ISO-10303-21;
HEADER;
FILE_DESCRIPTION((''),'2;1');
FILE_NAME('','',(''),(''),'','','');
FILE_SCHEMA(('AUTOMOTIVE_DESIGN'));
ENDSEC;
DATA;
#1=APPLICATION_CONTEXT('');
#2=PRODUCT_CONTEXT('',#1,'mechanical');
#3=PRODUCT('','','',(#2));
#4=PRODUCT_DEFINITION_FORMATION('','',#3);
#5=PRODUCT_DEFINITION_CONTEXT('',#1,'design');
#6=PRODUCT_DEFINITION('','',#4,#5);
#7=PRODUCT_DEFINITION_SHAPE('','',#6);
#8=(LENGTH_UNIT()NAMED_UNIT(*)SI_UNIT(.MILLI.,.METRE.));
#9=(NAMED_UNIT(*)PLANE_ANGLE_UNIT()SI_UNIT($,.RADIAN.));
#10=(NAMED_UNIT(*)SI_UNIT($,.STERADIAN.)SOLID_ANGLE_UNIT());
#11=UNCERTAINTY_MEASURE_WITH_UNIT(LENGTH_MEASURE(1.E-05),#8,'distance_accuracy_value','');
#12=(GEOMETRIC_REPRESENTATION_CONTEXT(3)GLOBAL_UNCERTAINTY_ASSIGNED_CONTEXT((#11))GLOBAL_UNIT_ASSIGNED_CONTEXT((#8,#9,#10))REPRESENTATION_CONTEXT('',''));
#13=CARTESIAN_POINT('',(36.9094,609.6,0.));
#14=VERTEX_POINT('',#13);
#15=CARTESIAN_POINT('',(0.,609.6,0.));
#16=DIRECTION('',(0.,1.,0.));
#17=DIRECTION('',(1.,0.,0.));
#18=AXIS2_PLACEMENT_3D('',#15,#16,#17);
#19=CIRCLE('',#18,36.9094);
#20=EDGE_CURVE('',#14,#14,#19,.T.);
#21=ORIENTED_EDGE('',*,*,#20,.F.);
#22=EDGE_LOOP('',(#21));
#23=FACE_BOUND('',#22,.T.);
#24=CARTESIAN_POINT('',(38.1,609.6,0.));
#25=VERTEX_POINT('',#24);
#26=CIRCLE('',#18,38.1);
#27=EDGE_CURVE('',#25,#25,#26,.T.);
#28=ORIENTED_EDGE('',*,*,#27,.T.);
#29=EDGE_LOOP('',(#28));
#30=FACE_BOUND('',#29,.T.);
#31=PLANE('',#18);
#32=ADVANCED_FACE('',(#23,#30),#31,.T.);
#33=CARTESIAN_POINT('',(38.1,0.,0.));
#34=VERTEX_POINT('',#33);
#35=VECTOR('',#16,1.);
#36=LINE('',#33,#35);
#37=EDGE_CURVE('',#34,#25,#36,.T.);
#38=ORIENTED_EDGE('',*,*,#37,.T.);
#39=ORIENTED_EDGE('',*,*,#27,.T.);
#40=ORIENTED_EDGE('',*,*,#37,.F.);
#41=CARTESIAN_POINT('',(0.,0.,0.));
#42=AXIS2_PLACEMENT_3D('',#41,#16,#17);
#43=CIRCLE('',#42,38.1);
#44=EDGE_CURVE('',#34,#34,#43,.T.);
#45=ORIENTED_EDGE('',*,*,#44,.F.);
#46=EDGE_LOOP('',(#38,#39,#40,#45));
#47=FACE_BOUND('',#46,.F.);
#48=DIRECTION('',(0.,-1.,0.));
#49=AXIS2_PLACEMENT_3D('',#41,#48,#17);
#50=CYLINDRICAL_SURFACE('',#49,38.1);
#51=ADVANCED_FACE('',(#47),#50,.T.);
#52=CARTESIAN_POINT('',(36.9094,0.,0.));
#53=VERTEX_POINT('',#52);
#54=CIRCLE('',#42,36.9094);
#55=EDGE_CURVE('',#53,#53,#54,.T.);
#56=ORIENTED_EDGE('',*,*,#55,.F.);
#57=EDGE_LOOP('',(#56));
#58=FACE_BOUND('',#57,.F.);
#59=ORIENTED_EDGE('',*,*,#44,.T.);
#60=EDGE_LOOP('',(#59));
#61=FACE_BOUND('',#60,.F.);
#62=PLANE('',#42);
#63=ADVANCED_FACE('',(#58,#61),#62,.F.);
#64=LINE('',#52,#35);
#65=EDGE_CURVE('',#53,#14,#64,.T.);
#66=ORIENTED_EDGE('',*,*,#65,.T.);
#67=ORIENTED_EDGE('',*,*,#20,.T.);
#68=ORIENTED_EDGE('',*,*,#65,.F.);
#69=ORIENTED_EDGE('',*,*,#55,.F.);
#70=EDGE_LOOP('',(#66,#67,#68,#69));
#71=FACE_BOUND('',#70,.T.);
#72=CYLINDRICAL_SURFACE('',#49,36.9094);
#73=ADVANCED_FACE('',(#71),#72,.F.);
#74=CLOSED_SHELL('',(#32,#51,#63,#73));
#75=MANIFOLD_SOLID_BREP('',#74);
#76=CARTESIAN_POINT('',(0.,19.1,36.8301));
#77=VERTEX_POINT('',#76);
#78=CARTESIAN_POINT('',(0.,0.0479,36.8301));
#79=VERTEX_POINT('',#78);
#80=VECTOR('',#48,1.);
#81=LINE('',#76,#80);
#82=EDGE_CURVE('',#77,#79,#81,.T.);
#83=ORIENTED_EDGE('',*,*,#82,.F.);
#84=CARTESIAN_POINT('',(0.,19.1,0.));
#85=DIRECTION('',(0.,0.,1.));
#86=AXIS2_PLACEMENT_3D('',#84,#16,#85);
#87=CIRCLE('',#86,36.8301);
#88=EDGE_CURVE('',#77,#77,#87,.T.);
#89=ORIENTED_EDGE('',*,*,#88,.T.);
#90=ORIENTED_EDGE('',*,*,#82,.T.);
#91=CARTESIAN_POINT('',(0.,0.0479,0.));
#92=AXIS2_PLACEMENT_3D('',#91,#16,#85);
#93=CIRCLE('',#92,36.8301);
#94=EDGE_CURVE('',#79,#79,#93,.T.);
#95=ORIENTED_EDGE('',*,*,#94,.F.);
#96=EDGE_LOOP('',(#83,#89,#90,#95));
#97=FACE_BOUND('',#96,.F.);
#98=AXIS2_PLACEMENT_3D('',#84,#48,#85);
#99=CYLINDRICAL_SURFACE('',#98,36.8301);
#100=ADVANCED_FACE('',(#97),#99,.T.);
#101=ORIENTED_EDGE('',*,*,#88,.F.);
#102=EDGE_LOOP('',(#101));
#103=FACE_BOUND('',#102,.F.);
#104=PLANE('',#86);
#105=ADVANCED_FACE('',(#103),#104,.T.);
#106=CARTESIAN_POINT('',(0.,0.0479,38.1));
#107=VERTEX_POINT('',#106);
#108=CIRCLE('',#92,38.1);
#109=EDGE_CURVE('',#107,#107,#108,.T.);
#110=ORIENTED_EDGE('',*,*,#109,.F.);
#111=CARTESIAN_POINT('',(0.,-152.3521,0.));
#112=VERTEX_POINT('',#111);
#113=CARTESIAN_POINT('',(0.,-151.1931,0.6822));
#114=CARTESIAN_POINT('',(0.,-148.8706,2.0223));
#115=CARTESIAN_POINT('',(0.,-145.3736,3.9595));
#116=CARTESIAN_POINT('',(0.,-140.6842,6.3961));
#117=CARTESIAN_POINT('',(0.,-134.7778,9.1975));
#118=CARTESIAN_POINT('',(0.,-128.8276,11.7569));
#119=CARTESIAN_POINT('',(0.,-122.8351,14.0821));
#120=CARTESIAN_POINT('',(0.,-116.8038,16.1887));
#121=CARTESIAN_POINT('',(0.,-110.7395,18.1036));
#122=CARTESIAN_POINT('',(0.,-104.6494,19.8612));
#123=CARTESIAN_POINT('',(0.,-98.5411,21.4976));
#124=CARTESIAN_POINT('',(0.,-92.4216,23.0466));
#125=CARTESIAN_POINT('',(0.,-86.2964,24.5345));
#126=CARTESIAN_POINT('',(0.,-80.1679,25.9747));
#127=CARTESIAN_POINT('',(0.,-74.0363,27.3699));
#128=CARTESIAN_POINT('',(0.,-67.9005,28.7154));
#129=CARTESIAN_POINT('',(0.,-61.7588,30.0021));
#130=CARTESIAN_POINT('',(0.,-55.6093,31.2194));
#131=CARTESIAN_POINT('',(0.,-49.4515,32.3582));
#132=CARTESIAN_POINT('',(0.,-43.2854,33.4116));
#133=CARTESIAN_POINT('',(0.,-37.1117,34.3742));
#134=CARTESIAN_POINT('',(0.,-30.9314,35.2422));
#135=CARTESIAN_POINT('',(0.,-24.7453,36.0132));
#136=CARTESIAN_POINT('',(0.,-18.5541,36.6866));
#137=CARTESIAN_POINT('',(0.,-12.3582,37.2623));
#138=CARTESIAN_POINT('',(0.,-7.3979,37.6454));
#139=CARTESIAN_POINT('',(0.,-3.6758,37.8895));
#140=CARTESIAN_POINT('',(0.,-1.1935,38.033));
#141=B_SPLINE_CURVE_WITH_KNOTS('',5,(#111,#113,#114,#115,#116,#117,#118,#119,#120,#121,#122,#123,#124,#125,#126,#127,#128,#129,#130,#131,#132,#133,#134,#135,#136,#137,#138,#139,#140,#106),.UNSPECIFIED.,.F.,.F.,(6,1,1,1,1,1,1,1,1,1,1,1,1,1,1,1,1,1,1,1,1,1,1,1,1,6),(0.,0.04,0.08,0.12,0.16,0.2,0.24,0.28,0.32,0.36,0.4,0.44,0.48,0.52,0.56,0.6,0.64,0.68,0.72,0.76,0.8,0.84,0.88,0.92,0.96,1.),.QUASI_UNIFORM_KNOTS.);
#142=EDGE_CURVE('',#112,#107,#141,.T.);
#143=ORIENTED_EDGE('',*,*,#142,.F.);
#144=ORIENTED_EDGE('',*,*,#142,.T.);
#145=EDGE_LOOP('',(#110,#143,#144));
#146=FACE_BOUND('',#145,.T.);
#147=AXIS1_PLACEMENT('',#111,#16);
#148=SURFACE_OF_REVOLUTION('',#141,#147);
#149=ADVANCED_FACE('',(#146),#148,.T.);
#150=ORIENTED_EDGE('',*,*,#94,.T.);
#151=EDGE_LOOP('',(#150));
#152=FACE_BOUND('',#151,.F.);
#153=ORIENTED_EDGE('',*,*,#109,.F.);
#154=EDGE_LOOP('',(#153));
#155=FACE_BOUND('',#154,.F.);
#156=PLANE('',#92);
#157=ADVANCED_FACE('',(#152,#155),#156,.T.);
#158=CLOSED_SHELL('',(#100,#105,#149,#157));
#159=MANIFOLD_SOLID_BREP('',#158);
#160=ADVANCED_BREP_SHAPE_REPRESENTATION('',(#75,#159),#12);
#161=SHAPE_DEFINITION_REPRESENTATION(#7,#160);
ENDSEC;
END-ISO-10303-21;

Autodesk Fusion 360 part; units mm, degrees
sketch "Rocket Nose" plane through (0, 0, 0) normal (1, 0, 0) x (0, 1, 0)
  spline S0 degree 5 poles (152.4, 0) (151.241, 0.6822) (148.9185, 2.0223) (145.4215, 3.9595) (140.7321, 6.3961) (134.8257, 9.1975) (128.8755, 11.7569) (122.883, 14.0821) (116.8517, 16.1887) (110.7874, 18.1036) (104.6973, 19.8612) (98.589, 21.4976) (92.4695, 23.0466) (86.3443, 24.5345) (80.2158, 25.9747) (74.0842, 27.3699) (67.9484, 28.7154) (61.8067, 30.0021) (55.6572, 31.2194) (49.4994, 32.3582) (43.3333, 33.4116) (37.1596, 34.3742) (30.9793, 35.2422) (24.7932, 36.0132) (18.602, 36.6866) (12.4061, 37.2623) (7.4458, 37.6454) (3.7237, 37.8895) (1.2414, 38.033) (0, 38.1) knots 0 0 0 0 0 0 0.04 0.08 0.12 0.16 0.2 0.24 0.28 0.32 0.36 0.4 0.44 0.48 0.52 0.56 0.6 0.64 0.68 0.72 0.76 0.8 0.84 0.88 0.92 0.96 1 1 1 1 1 1
  line L0 (152.4, 0) -> (-19.0521, 0)
  line L1 (-19.0521, 0) -> (-19.0521, 36.8301)
  line L2 (-19.0521, 36.8301) -> (0, 36.8301)
  line L3 (0, 36.8301) -> (0, 38.1)
  line L4 (0, 16) -> (-19.05, 16) construction
  line L5 (0, 38.1) -> (-19.4564, 38.1) construction
  line L6 (-9.7282, 38.1) -> (-9.7282, 36.83) construction
  point P0 (121.92, 14.3763)
  point P1 (91.44, 23.2856)
  point P2 (60.96, 30.1561)
  point P3 (30.48, 35.2836)
  dimension "d13" = 19.05
  dimension "d20" = 1.27
revolve "Revolve1" add sketch "Rocket Nose" angle 360 about axis through (0, 152.4, 0) along (0, -1, 0) makes body 1
sketch "Structure Cylinder" plane through (0, 0, 0) normal (0, 1, 0) x (1, 0, 0)
  circle A0 centre (0, 0) radius 38.1
  circle A1 centre (0, 0) radius 36.9094
  dimension "d2" = 76.2
  dimension "d6" = -1.1906
move_body "Move1" bodies 1 to x (1, 0, 0) y (0, 1, 0) z (0, 0, 1) at (-175.7241, -67.6703, 17.5352)
extrude "Extrude2" add sketch "Structure Cylinder" along normal blind 609.6 separate body makes body 2
move_body "Move2" bodies 1 to x (-1, 0, 0) y (0, -1, 0) z (0, 0, 1) at (0, 0, 0)
move_body "Move3" bodies 1 to x (1, 0, 0) y (0, 1, 0) z (0, 0, 1) at (-164.1367, -284.7307, -9.893)
move_body "Move4" bodies 1 to x (1, 0, 0) y (0, 1, 0) z (0, 0, 1) at (-11.5874, 198.0083, -7.6422)
move_body "Move5" bodies 1 to x (1, 0, 0) y (0, 1, 0) z (0, 0, 1) at (0, 50.8, 0)
sketch "Nose and Structure" plane through (0, 0, 0) normal (0, 0, 1) x (1, 0, 0)
  line L0 (38.1, 609.6) -> (-38.1, 609.6)
  line L1 (38.1, 0) -> (-38.1, 0)
  line L2 (38.1, 0) -> (38.1, 609.6)
  line L3 (-38.1, 0) -> (-38.1, 609.6)
  line L4 (-36.8301, 50.8) -> (36.8301, 50.8)
  line L5 (-38.1, 31.7479) -> (-36.8301, 31.7479)
  line L6 (36.8301, 31.7479) -> (38.1, 31.7479)
  line L7 (-36.8301, 50.8) -> (-36.8301, 31.7479)
  line L8 (36.8301, 50.8) -> (36.8301, 31.7479)
  spline S0 degree 3 poles (0, -120.6521) (-5.685, -110.9936) (-10.3314, -101.1446) (-17.7236, -81.1062) (-20.4978, -70.9235) (-25.5647, -50.5168) (-27.8995, -40.2997) (-32.07, -19.814) (-33.8523, -9.5352) (-36.5836, 11.0753) (-37.5419, 21.4031) (-38.1, 31.7479) knots 0 0 0 0 0.2 0.2 0.4 0.4 0.6 0.6 0.8 0.8 1 1 1 1
  spline S1 degree 3 poles (0, -120.6521) (5.685, -110.9936) (10.3314, -101.1446) (17.7236, -81.1062) (20.4978, -70.9235) (25.5647, -50.5168) (27.8995, -40.2997) (32.07, -19.814) (33.8523, -9.5352) (36.5836, 11.0753) (37.5419, 21.4031) (38.1, 31.7479) knots 0 0 0 0 0.2 0.2 0.4 0.4 0.6 0.6 0.8 0.8 1 1 1 1
move_body "Move6" bodies 1 to x (1, 0, 0) y (0, 1, 0) z (0, 0, 1) at (0, -40, 0)
move_body "Move7" bodies 1 to x (1, 0, 0) y (0, 1, 0) z (0, 0, 1) at (0, 8.3, 0)
